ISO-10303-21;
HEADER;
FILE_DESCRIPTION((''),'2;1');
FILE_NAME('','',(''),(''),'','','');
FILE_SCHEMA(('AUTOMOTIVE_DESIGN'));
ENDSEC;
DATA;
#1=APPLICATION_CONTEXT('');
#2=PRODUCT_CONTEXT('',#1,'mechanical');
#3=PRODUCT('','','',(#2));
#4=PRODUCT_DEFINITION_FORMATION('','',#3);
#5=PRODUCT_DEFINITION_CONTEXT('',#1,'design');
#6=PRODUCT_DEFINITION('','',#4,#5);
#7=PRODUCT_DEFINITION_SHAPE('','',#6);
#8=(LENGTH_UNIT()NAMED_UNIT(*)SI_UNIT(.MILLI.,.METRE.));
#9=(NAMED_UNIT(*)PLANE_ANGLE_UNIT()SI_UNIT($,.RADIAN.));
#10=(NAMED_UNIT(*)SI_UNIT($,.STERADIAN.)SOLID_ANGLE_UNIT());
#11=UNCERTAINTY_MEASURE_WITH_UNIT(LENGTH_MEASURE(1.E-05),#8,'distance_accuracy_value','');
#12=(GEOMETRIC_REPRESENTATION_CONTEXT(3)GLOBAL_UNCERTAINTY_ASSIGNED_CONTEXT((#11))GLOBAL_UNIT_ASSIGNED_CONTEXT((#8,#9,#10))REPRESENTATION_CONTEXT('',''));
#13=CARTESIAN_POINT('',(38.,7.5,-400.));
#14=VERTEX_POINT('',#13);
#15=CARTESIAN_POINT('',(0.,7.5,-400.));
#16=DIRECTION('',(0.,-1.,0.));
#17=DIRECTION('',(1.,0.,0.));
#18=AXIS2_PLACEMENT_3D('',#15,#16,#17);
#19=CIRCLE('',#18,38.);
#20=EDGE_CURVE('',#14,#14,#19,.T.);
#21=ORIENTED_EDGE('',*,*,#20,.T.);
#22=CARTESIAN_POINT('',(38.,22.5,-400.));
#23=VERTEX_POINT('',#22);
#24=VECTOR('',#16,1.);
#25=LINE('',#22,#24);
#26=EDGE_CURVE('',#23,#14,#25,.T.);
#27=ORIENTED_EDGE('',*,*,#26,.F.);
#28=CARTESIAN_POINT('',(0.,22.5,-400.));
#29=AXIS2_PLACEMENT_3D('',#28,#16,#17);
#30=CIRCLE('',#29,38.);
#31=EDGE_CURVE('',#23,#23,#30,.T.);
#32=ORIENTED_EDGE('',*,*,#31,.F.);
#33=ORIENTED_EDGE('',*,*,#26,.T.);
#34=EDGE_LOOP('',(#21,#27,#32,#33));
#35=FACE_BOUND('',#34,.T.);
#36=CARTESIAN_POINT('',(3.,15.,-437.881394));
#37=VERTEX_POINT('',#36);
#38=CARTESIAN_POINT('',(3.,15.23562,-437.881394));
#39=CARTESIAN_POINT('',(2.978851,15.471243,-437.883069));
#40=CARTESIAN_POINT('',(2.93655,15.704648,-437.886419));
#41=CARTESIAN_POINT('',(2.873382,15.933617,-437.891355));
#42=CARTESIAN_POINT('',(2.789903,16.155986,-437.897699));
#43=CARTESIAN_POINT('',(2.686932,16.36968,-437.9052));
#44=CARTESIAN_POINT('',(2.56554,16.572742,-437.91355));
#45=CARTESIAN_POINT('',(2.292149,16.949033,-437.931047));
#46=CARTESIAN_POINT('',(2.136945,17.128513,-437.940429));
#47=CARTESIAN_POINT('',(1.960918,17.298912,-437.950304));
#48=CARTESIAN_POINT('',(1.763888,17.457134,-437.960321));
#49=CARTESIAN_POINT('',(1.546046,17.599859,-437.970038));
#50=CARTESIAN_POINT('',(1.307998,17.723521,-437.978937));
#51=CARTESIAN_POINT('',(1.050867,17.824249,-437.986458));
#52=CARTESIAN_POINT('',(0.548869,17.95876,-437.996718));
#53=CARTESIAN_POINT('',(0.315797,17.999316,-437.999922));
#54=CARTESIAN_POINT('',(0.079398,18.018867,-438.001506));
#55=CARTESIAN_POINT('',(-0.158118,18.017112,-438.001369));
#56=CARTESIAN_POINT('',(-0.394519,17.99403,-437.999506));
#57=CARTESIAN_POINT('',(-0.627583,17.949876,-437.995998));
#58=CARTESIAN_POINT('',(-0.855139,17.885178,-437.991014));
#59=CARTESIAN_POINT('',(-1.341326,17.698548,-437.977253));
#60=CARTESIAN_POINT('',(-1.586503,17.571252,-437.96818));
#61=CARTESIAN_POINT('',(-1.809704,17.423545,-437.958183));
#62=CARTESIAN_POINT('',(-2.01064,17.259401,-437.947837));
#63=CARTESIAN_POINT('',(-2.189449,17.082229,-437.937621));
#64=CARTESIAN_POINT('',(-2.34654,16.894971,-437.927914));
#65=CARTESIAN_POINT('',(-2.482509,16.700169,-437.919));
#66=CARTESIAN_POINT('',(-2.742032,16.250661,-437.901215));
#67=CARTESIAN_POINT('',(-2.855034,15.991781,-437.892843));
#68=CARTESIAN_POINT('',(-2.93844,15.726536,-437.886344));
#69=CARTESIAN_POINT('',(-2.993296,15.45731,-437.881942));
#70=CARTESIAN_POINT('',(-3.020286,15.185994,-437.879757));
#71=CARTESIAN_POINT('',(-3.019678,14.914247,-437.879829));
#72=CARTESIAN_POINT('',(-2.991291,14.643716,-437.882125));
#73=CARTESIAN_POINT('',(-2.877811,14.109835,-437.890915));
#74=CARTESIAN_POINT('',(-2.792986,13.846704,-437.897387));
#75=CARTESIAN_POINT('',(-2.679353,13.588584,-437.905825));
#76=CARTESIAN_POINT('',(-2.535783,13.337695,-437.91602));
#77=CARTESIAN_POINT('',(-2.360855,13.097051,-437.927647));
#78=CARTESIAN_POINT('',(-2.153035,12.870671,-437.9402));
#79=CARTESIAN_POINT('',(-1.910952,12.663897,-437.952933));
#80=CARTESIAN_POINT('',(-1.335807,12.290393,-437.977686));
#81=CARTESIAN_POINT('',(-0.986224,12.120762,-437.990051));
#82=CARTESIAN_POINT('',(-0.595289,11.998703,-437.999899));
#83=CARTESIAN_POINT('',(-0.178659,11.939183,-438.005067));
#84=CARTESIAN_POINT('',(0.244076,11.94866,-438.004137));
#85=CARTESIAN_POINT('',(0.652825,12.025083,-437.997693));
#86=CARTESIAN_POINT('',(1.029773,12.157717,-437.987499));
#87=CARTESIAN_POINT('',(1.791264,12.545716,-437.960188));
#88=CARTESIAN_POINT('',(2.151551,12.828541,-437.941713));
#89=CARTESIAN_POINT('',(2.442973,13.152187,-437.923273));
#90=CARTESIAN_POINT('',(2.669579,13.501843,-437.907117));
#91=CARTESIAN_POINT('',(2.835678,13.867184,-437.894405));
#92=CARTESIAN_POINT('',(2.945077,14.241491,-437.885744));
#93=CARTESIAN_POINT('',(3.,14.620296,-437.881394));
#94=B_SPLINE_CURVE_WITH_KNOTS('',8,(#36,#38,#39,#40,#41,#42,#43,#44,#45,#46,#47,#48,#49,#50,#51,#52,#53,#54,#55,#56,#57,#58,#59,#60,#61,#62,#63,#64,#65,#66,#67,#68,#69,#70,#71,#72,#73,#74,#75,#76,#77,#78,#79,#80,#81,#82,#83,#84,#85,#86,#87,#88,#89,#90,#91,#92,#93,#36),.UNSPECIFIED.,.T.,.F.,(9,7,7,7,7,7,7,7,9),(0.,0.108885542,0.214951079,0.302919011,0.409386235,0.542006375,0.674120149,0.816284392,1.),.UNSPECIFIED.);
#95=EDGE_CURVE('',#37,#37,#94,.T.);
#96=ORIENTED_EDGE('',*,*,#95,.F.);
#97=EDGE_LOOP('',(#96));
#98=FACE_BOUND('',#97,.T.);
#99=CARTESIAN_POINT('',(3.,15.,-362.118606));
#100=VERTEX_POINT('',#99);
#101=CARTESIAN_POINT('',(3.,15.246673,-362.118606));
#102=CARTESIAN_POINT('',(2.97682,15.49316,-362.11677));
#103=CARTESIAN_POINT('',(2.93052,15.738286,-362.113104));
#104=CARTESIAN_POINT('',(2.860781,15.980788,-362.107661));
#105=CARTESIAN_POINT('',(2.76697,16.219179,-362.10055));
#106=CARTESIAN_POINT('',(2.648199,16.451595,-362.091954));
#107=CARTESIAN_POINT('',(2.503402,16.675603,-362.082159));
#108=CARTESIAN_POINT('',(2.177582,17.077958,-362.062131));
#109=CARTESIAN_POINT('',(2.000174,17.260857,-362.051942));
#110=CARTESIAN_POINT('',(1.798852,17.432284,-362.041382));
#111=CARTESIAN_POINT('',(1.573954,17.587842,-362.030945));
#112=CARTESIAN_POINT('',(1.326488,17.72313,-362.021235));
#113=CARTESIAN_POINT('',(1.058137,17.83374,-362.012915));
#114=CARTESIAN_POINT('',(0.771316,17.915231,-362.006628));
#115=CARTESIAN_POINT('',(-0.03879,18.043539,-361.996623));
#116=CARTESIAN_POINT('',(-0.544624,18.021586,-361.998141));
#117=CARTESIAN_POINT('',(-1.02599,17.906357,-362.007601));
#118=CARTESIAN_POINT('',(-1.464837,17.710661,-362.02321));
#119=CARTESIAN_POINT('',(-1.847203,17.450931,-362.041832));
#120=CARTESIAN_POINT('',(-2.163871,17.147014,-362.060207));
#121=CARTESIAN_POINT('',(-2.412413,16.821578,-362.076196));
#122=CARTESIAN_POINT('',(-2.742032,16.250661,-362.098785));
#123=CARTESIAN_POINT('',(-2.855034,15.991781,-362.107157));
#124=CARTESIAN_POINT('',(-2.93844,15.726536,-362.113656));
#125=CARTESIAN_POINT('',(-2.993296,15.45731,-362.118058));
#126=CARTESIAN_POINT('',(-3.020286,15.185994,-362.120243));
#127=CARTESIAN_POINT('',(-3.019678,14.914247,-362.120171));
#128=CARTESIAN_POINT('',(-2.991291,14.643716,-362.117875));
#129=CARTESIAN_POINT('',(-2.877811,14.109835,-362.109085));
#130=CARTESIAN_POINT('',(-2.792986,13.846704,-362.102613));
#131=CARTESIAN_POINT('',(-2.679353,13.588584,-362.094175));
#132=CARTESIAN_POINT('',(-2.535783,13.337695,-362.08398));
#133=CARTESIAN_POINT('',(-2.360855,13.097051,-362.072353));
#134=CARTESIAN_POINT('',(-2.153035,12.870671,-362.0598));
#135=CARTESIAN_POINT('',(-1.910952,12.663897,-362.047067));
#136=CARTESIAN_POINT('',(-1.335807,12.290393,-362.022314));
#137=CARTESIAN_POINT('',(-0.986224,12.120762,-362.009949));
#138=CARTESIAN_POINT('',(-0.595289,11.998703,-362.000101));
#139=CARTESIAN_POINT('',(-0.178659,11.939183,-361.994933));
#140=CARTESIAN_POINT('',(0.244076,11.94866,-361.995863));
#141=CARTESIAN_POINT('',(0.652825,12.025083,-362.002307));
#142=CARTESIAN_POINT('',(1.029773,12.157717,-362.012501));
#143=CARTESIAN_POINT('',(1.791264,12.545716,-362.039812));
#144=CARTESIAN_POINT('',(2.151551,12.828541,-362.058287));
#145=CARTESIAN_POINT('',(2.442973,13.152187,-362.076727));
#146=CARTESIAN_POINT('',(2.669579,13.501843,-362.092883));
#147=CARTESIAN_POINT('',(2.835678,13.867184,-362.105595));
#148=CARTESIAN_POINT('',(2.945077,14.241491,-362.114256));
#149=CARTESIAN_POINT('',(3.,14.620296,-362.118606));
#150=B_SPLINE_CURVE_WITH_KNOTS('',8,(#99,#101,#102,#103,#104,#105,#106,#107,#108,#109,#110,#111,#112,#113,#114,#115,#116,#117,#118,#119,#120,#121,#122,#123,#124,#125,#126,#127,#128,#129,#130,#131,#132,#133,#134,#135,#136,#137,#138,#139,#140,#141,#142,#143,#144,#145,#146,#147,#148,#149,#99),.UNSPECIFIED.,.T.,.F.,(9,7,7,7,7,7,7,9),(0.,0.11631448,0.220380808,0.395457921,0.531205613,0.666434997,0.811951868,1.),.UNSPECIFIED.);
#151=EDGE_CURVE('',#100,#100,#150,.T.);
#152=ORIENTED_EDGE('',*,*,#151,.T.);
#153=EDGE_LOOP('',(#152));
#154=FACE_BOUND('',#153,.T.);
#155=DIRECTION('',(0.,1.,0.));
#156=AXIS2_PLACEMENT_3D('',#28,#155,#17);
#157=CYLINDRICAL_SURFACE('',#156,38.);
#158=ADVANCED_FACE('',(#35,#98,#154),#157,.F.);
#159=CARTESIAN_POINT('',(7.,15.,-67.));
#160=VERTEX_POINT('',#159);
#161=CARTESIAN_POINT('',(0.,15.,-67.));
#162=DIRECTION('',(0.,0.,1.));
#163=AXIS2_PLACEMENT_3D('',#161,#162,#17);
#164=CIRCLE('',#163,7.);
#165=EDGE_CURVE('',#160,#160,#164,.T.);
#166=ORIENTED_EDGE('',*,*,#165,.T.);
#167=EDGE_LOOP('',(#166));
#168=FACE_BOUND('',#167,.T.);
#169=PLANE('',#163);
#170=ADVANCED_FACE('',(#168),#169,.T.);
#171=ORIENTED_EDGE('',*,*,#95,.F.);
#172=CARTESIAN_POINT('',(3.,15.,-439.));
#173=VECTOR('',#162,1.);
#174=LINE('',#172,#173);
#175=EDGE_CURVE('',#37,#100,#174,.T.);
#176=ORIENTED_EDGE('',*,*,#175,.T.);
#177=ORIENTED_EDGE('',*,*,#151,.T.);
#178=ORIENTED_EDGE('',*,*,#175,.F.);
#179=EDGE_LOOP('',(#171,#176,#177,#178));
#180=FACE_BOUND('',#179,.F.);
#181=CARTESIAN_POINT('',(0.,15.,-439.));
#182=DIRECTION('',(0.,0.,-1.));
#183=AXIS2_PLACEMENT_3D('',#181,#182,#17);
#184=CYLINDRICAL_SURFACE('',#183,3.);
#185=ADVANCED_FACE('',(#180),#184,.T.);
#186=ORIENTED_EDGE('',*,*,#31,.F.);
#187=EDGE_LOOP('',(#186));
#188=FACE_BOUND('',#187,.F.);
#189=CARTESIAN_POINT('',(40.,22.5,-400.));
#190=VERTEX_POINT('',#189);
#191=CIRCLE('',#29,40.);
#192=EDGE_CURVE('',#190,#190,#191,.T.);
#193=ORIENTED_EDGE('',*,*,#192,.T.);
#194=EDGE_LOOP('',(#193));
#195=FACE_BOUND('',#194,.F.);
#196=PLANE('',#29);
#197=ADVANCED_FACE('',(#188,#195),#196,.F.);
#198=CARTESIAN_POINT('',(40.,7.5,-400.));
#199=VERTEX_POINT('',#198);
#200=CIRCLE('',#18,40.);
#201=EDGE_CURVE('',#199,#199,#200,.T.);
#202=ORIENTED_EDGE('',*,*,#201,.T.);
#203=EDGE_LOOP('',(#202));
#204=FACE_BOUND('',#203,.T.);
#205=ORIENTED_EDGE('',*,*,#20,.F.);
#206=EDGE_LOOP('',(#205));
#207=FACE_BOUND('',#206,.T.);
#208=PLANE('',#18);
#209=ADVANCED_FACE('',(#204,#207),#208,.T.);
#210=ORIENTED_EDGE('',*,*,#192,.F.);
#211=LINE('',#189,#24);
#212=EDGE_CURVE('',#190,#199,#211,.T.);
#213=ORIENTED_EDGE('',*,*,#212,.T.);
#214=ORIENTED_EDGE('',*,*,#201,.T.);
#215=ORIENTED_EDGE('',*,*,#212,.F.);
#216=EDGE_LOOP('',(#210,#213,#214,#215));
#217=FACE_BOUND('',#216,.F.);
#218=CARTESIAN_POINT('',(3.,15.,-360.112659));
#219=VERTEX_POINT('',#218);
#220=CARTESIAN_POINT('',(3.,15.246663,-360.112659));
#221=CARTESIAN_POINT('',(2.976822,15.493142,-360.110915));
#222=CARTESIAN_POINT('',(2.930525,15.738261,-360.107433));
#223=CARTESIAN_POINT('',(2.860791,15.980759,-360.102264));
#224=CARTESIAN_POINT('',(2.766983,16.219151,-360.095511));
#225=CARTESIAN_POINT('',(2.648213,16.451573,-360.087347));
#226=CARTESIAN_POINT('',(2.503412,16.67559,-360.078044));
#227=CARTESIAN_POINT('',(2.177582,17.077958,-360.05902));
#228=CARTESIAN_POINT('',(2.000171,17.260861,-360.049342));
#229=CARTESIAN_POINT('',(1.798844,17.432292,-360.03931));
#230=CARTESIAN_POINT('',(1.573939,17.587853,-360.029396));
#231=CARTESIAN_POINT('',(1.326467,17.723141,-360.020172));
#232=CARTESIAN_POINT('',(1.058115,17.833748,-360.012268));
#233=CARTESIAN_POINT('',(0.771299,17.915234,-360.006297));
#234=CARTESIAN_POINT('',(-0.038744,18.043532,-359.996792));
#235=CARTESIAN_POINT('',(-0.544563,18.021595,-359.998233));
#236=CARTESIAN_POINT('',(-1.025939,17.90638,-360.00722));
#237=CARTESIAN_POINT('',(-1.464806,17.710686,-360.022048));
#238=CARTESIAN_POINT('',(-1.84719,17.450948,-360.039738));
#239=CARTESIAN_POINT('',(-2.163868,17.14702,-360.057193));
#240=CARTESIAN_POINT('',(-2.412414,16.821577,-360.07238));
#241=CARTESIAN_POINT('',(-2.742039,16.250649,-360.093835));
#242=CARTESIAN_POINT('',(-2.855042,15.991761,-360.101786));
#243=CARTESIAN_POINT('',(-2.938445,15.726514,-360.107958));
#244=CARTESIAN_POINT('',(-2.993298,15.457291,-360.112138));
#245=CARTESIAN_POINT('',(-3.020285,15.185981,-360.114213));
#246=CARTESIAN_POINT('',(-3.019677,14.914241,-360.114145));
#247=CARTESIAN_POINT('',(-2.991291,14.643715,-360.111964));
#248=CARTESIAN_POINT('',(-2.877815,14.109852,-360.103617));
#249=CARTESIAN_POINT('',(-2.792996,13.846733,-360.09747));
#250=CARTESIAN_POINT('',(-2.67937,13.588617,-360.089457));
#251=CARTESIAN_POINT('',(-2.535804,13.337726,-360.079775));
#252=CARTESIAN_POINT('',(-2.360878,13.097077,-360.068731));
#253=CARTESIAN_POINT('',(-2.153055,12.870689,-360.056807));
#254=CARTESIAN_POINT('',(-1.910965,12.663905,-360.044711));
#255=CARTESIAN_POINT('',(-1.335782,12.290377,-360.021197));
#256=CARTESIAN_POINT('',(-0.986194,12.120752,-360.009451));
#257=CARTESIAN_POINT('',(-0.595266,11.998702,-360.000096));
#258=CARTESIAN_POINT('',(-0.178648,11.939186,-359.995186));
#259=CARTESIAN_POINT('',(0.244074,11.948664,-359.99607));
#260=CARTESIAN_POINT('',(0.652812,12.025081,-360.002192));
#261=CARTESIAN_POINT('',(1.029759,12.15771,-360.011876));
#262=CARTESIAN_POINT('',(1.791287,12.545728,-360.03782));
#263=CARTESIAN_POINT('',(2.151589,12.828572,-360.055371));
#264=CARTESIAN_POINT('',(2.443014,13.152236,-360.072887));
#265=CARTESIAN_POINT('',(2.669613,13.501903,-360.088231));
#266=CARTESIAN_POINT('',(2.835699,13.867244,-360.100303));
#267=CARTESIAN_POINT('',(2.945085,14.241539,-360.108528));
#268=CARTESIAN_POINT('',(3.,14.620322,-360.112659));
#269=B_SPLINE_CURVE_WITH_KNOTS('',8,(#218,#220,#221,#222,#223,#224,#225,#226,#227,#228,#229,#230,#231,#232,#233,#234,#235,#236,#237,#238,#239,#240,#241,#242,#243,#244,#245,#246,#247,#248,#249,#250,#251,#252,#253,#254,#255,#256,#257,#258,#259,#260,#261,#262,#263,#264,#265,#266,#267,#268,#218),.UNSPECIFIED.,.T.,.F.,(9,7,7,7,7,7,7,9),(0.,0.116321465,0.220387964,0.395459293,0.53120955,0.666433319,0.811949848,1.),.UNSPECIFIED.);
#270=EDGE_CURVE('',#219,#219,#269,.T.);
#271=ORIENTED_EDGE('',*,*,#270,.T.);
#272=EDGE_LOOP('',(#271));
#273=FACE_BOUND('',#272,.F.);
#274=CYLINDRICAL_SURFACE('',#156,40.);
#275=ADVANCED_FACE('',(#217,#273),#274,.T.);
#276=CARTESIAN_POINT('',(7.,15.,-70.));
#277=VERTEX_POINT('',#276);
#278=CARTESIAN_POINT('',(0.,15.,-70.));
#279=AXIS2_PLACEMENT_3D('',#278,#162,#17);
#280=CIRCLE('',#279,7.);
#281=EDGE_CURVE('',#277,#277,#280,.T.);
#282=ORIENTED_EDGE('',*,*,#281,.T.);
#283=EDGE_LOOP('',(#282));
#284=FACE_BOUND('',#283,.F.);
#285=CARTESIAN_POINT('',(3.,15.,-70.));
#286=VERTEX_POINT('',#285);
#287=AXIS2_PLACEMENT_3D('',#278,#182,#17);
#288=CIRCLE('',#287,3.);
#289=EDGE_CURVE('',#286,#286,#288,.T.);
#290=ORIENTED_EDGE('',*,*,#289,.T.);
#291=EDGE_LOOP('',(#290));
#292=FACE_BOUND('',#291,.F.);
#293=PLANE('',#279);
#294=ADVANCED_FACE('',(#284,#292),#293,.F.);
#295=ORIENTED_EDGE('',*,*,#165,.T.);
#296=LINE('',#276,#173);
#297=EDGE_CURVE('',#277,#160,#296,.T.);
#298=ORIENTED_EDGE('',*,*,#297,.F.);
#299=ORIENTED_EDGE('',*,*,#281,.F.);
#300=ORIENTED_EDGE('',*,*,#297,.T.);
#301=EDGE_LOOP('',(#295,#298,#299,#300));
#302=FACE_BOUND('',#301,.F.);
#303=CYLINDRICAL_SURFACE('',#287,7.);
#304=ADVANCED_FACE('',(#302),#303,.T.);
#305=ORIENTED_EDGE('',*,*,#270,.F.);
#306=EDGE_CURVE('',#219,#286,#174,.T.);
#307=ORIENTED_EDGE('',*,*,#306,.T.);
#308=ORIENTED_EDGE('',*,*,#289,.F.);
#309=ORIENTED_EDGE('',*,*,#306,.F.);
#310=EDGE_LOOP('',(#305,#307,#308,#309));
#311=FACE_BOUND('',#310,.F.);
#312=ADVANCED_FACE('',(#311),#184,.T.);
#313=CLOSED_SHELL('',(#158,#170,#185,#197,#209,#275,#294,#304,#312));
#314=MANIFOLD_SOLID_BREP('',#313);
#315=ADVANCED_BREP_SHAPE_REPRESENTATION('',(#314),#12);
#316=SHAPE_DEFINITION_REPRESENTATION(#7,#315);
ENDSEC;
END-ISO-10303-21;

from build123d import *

# Parameters (mm, degrees)
CYLINDER040_R     = 3
CYLINDER040_DEPTH = 372
CYLINDER041_R     = 7
CYLINDER041_DEPTH = 3
TUBE004_R         = 40
TUBE004_R_2       = 38
TUBE004_DEPTH     = 15


with BuildPart() as pendulumshaft:
    # Cylinder040 → Cylinder040 (new body)
    with BuildSketch(Plane(origin=(0, 15, -439), x_dir=(1, 0, 0), z_dir=(0, 0, 1))):
        Circle(CYLINDER040_R)
    extrude(amount=CYLINDER040_DEPTH)


with BuildPart() as pendulumclampplate:
    # Cylinder041 → Cylinder041 (new body)
    with BuildSketch(Plane(origin=(0, 15, -70), x_dir=(1, 0, 0), z_dir=(0, 0, 1))):
        Circle(CYLINDER041_R)
    extrude(amount=CYLINDER041_DEPTH)


with BuildPart() as pendulum001:
    # Tube004 → Tube004 (new body)
    with BuildSketch(Plane(origin=(0, 22.5, -400), x_dir=(1, 0, 0), z_dir=(0, -1, 0))):
        Circle(TUBE004_R)
        Circle(TUBE004_R_2, mode=Mode.SUBTRACT)
    extrude(amount=TUBE004_DEPTH)

    # Fusion: union PendulumShaft, PendulumClampPlate
    add(pendulumshaft.part)
    add(pendulumclampplate.part)


solid = pendulum001.part
